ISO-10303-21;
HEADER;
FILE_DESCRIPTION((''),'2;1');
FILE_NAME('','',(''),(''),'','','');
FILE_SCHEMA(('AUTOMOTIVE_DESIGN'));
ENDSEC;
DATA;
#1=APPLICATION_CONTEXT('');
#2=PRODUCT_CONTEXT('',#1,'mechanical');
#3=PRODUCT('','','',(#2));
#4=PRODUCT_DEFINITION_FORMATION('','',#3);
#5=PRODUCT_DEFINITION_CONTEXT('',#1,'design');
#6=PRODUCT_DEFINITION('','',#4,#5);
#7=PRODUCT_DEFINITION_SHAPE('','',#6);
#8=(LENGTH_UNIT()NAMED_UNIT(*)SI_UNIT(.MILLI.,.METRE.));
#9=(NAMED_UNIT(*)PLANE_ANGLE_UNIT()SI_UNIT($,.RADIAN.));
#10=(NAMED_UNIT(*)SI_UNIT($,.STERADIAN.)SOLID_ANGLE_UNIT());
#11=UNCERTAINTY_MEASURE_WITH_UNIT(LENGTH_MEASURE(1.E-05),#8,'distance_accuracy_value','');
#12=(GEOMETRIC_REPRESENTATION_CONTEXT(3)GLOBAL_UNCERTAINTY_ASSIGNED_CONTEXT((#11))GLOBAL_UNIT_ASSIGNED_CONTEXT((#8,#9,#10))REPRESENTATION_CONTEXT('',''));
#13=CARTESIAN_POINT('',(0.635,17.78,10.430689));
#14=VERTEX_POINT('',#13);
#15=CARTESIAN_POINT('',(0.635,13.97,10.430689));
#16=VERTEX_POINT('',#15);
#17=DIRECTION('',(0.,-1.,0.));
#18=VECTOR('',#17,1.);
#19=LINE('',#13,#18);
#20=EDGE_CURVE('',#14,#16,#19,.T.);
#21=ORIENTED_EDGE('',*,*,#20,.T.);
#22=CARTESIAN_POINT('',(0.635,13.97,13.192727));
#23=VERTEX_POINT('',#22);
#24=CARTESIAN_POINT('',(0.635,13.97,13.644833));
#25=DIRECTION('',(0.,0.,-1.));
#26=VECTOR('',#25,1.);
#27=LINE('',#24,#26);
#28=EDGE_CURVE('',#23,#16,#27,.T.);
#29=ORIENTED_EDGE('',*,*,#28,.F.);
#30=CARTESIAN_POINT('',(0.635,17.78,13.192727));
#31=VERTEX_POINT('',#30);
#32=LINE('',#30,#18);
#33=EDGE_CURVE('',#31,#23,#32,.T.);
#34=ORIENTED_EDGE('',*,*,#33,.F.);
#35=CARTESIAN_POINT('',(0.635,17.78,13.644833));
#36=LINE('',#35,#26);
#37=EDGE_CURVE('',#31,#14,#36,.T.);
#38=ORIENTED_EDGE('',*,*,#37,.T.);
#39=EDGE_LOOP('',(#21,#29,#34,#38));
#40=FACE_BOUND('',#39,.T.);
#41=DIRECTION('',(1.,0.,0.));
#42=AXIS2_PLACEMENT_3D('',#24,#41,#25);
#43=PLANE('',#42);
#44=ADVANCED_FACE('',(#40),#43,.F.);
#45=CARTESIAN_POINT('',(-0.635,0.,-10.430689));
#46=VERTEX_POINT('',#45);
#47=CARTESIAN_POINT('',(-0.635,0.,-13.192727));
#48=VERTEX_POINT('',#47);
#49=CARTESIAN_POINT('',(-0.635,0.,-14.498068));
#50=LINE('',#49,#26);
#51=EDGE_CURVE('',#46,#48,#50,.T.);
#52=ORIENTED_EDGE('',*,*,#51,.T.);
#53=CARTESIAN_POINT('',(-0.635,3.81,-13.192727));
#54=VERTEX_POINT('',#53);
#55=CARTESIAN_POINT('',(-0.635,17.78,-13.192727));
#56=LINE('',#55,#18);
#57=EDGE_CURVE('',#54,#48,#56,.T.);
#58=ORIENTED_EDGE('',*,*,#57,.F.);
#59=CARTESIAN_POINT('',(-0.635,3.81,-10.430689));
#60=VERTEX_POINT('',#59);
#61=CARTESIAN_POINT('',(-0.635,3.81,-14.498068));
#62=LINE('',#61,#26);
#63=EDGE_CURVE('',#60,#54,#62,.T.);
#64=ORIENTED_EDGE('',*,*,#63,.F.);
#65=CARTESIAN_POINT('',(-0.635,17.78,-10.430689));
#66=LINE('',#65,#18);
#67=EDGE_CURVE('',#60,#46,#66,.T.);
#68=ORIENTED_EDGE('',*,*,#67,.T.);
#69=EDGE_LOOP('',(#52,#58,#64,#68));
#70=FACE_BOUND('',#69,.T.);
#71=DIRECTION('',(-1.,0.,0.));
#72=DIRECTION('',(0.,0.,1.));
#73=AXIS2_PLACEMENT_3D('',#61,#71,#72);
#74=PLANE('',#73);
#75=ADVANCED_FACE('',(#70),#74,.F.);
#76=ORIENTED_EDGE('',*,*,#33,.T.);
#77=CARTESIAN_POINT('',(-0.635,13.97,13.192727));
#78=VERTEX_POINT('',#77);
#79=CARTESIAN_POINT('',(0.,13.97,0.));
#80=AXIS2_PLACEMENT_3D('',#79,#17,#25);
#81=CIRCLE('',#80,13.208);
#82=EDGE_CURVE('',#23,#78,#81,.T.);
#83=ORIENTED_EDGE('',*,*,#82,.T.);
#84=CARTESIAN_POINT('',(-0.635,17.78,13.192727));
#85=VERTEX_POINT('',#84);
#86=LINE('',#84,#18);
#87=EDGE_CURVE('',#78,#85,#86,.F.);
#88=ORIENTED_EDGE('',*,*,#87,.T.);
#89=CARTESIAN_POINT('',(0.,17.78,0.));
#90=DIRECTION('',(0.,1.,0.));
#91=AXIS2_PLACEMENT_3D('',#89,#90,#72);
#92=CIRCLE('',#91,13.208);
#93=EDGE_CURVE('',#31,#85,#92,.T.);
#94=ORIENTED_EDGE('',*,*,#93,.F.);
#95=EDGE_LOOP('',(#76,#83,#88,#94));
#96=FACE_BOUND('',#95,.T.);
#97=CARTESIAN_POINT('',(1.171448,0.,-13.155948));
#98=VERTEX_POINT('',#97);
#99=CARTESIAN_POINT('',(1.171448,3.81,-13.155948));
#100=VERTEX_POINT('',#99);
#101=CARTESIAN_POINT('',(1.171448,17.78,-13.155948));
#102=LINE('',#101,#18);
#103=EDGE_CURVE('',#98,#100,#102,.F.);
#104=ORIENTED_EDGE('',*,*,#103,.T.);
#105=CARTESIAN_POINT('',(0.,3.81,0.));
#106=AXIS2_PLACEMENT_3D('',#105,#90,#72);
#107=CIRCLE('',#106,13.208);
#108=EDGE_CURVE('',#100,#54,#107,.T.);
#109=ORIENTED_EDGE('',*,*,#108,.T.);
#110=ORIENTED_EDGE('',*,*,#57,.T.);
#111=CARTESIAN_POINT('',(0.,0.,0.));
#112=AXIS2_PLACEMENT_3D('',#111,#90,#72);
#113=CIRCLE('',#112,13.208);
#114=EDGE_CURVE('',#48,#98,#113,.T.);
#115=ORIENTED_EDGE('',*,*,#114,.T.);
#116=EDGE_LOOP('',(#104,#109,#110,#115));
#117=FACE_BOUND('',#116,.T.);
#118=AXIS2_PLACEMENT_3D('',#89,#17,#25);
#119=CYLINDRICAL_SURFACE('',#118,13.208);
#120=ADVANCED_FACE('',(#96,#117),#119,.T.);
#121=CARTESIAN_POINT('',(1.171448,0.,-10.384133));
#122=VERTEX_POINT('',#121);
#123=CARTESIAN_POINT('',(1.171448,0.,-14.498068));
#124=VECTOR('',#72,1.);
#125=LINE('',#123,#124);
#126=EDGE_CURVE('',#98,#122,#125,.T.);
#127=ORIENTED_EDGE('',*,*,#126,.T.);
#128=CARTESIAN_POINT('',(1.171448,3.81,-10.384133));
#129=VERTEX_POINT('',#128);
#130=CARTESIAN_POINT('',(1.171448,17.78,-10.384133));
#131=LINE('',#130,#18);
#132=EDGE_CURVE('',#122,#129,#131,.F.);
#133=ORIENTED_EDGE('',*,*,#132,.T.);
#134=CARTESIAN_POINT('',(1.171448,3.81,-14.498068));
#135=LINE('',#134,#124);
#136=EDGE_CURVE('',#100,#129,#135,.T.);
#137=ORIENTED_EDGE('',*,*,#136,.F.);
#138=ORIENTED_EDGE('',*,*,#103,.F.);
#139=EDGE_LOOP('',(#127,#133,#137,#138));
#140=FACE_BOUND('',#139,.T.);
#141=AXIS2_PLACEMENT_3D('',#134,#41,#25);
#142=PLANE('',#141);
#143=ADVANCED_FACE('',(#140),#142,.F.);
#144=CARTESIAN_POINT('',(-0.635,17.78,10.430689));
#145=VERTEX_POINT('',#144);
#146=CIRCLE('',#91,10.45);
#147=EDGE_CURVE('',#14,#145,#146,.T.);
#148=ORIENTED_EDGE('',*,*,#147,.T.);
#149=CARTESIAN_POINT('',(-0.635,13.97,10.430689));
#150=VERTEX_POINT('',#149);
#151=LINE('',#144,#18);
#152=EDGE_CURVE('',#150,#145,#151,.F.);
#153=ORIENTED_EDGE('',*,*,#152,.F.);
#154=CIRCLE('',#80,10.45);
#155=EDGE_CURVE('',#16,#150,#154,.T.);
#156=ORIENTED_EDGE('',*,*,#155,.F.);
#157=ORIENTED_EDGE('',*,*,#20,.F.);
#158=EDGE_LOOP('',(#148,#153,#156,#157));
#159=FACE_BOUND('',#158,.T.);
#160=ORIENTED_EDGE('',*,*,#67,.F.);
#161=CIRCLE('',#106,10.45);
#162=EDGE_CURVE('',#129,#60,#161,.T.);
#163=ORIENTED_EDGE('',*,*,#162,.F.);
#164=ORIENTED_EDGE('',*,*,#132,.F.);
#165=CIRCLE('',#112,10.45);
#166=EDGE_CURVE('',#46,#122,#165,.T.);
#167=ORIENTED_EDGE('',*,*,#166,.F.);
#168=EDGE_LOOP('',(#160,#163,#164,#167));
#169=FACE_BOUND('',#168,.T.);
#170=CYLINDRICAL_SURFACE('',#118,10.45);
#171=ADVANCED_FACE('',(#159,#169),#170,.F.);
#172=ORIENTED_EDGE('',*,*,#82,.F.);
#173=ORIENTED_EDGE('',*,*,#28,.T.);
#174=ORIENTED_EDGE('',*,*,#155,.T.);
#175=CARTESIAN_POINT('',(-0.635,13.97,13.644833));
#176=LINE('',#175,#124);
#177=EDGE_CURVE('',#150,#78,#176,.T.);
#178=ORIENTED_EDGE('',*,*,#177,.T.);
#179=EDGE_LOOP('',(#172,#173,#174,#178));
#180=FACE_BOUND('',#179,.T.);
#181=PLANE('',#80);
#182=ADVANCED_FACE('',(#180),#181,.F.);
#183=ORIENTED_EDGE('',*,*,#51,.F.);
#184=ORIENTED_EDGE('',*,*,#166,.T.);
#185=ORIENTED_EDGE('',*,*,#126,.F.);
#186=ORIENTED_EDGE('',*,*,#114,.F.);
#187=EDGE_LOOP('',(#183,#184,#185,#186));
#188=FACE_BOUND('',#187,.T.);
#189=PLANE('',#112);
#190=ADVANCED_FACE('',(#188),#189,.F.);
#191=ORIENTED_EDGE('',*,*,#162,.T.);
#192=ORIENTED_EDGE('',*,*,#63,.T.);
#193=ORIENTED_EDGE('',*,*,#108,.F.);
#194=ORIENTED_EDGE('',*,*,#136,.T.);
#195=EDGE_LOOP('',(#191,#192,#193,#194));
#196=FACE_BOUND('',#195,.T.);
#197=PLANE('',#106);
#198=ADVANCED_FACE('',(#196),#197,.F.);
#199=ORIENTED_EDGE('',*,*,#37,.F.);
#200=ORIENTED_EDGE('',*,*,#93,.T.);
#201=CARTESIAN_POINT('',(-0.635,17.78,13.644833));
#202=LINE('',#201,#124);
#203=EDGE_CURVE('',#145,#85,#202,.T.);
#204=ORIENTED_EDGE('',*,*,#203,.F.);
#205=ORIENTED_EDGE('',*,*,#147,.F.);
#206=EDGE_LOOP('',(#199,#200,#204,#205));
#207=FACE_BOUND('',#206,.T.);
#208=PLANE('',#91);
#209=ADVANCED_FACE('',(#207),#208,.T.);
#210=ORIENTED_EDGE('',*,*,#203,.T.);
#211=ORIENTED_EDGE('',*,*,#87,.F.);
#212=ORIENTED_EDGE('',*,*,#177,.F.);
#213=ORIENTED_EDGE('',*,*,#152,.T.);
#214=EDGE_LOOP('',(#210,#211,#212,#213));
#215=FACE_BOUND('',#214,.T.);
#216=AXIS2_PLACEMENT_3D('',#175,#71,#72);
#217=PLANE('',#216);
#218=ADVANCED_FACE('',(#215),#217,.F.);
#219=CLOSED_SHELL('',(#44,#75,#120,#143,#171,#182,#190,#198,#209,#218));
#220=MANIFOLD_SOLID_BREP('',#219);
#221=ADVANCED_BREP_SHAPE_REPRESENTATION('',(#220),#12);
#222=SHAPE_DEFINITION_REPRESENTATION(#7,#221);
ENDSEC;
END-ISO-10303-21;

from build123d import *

# Parameters (mm, degrees)
SKETCH1_R           = 13.208
SKETCH1_R_2         = 10.45
BOSS_EXTRUDE1_DEPTH = 17.78
SKETCH2_W           = 1.27
SKETCH2_H           = 3.587114975
CUT_EXTRUDE1_DEPTH  = 3.81
SKETCH3_W           = 1.806448
SKETCH3_H           = 4.299301561
CUT_EXTRUDE2_DEPTH  = 3.81


with BuildPart() as part:
    # Sketch1 → Boss-Extrude1 (new body)
    with BuildSketch(Plane(origin=(0, 0, 0), x_dir=(1, 0, 0), z_dir=(0, 1, 0))):
        with Locations(Location((0, 0, 0), (0, 0, 270))):
            Circle(SKETCH1_R)
        with Locations(Location((0, 0, 0), (0, 0, 270))):
            Circle(SKETCH1_R_2, mode=Mode.SUBTRACT)
    extrude(amount=BOSS_EXTRUDE1_DEPTH)

    # Sketch2 → Cut-Extrude1 (cut)
    with BuildSketch(Plane(origin=(0, 17.78, 0), x_dir=(1, 0, 0), z_dir=(0, 1, 0))):
        with Locations((0, -11.851276013)):
            Rectangle(SKETCH2_W, SKETCH2_H)
    extrude(amount=-CUT_EXTRUDE1_DEPTH, mode=Mode.SUBTRACT)

    # Sketch3 → Cut-Extrude2 (cut)
    with BuildSketch(Plane.XZ):
        with Locations((0.268224, -12.348416978)):
            Rectangle(SKETCH3_W, SKETCH3_H)
    extrude(amount=-CUT_EXTRUDE2_DEPTH, mode=Mode.SUBTRACT)


solid = part.part
